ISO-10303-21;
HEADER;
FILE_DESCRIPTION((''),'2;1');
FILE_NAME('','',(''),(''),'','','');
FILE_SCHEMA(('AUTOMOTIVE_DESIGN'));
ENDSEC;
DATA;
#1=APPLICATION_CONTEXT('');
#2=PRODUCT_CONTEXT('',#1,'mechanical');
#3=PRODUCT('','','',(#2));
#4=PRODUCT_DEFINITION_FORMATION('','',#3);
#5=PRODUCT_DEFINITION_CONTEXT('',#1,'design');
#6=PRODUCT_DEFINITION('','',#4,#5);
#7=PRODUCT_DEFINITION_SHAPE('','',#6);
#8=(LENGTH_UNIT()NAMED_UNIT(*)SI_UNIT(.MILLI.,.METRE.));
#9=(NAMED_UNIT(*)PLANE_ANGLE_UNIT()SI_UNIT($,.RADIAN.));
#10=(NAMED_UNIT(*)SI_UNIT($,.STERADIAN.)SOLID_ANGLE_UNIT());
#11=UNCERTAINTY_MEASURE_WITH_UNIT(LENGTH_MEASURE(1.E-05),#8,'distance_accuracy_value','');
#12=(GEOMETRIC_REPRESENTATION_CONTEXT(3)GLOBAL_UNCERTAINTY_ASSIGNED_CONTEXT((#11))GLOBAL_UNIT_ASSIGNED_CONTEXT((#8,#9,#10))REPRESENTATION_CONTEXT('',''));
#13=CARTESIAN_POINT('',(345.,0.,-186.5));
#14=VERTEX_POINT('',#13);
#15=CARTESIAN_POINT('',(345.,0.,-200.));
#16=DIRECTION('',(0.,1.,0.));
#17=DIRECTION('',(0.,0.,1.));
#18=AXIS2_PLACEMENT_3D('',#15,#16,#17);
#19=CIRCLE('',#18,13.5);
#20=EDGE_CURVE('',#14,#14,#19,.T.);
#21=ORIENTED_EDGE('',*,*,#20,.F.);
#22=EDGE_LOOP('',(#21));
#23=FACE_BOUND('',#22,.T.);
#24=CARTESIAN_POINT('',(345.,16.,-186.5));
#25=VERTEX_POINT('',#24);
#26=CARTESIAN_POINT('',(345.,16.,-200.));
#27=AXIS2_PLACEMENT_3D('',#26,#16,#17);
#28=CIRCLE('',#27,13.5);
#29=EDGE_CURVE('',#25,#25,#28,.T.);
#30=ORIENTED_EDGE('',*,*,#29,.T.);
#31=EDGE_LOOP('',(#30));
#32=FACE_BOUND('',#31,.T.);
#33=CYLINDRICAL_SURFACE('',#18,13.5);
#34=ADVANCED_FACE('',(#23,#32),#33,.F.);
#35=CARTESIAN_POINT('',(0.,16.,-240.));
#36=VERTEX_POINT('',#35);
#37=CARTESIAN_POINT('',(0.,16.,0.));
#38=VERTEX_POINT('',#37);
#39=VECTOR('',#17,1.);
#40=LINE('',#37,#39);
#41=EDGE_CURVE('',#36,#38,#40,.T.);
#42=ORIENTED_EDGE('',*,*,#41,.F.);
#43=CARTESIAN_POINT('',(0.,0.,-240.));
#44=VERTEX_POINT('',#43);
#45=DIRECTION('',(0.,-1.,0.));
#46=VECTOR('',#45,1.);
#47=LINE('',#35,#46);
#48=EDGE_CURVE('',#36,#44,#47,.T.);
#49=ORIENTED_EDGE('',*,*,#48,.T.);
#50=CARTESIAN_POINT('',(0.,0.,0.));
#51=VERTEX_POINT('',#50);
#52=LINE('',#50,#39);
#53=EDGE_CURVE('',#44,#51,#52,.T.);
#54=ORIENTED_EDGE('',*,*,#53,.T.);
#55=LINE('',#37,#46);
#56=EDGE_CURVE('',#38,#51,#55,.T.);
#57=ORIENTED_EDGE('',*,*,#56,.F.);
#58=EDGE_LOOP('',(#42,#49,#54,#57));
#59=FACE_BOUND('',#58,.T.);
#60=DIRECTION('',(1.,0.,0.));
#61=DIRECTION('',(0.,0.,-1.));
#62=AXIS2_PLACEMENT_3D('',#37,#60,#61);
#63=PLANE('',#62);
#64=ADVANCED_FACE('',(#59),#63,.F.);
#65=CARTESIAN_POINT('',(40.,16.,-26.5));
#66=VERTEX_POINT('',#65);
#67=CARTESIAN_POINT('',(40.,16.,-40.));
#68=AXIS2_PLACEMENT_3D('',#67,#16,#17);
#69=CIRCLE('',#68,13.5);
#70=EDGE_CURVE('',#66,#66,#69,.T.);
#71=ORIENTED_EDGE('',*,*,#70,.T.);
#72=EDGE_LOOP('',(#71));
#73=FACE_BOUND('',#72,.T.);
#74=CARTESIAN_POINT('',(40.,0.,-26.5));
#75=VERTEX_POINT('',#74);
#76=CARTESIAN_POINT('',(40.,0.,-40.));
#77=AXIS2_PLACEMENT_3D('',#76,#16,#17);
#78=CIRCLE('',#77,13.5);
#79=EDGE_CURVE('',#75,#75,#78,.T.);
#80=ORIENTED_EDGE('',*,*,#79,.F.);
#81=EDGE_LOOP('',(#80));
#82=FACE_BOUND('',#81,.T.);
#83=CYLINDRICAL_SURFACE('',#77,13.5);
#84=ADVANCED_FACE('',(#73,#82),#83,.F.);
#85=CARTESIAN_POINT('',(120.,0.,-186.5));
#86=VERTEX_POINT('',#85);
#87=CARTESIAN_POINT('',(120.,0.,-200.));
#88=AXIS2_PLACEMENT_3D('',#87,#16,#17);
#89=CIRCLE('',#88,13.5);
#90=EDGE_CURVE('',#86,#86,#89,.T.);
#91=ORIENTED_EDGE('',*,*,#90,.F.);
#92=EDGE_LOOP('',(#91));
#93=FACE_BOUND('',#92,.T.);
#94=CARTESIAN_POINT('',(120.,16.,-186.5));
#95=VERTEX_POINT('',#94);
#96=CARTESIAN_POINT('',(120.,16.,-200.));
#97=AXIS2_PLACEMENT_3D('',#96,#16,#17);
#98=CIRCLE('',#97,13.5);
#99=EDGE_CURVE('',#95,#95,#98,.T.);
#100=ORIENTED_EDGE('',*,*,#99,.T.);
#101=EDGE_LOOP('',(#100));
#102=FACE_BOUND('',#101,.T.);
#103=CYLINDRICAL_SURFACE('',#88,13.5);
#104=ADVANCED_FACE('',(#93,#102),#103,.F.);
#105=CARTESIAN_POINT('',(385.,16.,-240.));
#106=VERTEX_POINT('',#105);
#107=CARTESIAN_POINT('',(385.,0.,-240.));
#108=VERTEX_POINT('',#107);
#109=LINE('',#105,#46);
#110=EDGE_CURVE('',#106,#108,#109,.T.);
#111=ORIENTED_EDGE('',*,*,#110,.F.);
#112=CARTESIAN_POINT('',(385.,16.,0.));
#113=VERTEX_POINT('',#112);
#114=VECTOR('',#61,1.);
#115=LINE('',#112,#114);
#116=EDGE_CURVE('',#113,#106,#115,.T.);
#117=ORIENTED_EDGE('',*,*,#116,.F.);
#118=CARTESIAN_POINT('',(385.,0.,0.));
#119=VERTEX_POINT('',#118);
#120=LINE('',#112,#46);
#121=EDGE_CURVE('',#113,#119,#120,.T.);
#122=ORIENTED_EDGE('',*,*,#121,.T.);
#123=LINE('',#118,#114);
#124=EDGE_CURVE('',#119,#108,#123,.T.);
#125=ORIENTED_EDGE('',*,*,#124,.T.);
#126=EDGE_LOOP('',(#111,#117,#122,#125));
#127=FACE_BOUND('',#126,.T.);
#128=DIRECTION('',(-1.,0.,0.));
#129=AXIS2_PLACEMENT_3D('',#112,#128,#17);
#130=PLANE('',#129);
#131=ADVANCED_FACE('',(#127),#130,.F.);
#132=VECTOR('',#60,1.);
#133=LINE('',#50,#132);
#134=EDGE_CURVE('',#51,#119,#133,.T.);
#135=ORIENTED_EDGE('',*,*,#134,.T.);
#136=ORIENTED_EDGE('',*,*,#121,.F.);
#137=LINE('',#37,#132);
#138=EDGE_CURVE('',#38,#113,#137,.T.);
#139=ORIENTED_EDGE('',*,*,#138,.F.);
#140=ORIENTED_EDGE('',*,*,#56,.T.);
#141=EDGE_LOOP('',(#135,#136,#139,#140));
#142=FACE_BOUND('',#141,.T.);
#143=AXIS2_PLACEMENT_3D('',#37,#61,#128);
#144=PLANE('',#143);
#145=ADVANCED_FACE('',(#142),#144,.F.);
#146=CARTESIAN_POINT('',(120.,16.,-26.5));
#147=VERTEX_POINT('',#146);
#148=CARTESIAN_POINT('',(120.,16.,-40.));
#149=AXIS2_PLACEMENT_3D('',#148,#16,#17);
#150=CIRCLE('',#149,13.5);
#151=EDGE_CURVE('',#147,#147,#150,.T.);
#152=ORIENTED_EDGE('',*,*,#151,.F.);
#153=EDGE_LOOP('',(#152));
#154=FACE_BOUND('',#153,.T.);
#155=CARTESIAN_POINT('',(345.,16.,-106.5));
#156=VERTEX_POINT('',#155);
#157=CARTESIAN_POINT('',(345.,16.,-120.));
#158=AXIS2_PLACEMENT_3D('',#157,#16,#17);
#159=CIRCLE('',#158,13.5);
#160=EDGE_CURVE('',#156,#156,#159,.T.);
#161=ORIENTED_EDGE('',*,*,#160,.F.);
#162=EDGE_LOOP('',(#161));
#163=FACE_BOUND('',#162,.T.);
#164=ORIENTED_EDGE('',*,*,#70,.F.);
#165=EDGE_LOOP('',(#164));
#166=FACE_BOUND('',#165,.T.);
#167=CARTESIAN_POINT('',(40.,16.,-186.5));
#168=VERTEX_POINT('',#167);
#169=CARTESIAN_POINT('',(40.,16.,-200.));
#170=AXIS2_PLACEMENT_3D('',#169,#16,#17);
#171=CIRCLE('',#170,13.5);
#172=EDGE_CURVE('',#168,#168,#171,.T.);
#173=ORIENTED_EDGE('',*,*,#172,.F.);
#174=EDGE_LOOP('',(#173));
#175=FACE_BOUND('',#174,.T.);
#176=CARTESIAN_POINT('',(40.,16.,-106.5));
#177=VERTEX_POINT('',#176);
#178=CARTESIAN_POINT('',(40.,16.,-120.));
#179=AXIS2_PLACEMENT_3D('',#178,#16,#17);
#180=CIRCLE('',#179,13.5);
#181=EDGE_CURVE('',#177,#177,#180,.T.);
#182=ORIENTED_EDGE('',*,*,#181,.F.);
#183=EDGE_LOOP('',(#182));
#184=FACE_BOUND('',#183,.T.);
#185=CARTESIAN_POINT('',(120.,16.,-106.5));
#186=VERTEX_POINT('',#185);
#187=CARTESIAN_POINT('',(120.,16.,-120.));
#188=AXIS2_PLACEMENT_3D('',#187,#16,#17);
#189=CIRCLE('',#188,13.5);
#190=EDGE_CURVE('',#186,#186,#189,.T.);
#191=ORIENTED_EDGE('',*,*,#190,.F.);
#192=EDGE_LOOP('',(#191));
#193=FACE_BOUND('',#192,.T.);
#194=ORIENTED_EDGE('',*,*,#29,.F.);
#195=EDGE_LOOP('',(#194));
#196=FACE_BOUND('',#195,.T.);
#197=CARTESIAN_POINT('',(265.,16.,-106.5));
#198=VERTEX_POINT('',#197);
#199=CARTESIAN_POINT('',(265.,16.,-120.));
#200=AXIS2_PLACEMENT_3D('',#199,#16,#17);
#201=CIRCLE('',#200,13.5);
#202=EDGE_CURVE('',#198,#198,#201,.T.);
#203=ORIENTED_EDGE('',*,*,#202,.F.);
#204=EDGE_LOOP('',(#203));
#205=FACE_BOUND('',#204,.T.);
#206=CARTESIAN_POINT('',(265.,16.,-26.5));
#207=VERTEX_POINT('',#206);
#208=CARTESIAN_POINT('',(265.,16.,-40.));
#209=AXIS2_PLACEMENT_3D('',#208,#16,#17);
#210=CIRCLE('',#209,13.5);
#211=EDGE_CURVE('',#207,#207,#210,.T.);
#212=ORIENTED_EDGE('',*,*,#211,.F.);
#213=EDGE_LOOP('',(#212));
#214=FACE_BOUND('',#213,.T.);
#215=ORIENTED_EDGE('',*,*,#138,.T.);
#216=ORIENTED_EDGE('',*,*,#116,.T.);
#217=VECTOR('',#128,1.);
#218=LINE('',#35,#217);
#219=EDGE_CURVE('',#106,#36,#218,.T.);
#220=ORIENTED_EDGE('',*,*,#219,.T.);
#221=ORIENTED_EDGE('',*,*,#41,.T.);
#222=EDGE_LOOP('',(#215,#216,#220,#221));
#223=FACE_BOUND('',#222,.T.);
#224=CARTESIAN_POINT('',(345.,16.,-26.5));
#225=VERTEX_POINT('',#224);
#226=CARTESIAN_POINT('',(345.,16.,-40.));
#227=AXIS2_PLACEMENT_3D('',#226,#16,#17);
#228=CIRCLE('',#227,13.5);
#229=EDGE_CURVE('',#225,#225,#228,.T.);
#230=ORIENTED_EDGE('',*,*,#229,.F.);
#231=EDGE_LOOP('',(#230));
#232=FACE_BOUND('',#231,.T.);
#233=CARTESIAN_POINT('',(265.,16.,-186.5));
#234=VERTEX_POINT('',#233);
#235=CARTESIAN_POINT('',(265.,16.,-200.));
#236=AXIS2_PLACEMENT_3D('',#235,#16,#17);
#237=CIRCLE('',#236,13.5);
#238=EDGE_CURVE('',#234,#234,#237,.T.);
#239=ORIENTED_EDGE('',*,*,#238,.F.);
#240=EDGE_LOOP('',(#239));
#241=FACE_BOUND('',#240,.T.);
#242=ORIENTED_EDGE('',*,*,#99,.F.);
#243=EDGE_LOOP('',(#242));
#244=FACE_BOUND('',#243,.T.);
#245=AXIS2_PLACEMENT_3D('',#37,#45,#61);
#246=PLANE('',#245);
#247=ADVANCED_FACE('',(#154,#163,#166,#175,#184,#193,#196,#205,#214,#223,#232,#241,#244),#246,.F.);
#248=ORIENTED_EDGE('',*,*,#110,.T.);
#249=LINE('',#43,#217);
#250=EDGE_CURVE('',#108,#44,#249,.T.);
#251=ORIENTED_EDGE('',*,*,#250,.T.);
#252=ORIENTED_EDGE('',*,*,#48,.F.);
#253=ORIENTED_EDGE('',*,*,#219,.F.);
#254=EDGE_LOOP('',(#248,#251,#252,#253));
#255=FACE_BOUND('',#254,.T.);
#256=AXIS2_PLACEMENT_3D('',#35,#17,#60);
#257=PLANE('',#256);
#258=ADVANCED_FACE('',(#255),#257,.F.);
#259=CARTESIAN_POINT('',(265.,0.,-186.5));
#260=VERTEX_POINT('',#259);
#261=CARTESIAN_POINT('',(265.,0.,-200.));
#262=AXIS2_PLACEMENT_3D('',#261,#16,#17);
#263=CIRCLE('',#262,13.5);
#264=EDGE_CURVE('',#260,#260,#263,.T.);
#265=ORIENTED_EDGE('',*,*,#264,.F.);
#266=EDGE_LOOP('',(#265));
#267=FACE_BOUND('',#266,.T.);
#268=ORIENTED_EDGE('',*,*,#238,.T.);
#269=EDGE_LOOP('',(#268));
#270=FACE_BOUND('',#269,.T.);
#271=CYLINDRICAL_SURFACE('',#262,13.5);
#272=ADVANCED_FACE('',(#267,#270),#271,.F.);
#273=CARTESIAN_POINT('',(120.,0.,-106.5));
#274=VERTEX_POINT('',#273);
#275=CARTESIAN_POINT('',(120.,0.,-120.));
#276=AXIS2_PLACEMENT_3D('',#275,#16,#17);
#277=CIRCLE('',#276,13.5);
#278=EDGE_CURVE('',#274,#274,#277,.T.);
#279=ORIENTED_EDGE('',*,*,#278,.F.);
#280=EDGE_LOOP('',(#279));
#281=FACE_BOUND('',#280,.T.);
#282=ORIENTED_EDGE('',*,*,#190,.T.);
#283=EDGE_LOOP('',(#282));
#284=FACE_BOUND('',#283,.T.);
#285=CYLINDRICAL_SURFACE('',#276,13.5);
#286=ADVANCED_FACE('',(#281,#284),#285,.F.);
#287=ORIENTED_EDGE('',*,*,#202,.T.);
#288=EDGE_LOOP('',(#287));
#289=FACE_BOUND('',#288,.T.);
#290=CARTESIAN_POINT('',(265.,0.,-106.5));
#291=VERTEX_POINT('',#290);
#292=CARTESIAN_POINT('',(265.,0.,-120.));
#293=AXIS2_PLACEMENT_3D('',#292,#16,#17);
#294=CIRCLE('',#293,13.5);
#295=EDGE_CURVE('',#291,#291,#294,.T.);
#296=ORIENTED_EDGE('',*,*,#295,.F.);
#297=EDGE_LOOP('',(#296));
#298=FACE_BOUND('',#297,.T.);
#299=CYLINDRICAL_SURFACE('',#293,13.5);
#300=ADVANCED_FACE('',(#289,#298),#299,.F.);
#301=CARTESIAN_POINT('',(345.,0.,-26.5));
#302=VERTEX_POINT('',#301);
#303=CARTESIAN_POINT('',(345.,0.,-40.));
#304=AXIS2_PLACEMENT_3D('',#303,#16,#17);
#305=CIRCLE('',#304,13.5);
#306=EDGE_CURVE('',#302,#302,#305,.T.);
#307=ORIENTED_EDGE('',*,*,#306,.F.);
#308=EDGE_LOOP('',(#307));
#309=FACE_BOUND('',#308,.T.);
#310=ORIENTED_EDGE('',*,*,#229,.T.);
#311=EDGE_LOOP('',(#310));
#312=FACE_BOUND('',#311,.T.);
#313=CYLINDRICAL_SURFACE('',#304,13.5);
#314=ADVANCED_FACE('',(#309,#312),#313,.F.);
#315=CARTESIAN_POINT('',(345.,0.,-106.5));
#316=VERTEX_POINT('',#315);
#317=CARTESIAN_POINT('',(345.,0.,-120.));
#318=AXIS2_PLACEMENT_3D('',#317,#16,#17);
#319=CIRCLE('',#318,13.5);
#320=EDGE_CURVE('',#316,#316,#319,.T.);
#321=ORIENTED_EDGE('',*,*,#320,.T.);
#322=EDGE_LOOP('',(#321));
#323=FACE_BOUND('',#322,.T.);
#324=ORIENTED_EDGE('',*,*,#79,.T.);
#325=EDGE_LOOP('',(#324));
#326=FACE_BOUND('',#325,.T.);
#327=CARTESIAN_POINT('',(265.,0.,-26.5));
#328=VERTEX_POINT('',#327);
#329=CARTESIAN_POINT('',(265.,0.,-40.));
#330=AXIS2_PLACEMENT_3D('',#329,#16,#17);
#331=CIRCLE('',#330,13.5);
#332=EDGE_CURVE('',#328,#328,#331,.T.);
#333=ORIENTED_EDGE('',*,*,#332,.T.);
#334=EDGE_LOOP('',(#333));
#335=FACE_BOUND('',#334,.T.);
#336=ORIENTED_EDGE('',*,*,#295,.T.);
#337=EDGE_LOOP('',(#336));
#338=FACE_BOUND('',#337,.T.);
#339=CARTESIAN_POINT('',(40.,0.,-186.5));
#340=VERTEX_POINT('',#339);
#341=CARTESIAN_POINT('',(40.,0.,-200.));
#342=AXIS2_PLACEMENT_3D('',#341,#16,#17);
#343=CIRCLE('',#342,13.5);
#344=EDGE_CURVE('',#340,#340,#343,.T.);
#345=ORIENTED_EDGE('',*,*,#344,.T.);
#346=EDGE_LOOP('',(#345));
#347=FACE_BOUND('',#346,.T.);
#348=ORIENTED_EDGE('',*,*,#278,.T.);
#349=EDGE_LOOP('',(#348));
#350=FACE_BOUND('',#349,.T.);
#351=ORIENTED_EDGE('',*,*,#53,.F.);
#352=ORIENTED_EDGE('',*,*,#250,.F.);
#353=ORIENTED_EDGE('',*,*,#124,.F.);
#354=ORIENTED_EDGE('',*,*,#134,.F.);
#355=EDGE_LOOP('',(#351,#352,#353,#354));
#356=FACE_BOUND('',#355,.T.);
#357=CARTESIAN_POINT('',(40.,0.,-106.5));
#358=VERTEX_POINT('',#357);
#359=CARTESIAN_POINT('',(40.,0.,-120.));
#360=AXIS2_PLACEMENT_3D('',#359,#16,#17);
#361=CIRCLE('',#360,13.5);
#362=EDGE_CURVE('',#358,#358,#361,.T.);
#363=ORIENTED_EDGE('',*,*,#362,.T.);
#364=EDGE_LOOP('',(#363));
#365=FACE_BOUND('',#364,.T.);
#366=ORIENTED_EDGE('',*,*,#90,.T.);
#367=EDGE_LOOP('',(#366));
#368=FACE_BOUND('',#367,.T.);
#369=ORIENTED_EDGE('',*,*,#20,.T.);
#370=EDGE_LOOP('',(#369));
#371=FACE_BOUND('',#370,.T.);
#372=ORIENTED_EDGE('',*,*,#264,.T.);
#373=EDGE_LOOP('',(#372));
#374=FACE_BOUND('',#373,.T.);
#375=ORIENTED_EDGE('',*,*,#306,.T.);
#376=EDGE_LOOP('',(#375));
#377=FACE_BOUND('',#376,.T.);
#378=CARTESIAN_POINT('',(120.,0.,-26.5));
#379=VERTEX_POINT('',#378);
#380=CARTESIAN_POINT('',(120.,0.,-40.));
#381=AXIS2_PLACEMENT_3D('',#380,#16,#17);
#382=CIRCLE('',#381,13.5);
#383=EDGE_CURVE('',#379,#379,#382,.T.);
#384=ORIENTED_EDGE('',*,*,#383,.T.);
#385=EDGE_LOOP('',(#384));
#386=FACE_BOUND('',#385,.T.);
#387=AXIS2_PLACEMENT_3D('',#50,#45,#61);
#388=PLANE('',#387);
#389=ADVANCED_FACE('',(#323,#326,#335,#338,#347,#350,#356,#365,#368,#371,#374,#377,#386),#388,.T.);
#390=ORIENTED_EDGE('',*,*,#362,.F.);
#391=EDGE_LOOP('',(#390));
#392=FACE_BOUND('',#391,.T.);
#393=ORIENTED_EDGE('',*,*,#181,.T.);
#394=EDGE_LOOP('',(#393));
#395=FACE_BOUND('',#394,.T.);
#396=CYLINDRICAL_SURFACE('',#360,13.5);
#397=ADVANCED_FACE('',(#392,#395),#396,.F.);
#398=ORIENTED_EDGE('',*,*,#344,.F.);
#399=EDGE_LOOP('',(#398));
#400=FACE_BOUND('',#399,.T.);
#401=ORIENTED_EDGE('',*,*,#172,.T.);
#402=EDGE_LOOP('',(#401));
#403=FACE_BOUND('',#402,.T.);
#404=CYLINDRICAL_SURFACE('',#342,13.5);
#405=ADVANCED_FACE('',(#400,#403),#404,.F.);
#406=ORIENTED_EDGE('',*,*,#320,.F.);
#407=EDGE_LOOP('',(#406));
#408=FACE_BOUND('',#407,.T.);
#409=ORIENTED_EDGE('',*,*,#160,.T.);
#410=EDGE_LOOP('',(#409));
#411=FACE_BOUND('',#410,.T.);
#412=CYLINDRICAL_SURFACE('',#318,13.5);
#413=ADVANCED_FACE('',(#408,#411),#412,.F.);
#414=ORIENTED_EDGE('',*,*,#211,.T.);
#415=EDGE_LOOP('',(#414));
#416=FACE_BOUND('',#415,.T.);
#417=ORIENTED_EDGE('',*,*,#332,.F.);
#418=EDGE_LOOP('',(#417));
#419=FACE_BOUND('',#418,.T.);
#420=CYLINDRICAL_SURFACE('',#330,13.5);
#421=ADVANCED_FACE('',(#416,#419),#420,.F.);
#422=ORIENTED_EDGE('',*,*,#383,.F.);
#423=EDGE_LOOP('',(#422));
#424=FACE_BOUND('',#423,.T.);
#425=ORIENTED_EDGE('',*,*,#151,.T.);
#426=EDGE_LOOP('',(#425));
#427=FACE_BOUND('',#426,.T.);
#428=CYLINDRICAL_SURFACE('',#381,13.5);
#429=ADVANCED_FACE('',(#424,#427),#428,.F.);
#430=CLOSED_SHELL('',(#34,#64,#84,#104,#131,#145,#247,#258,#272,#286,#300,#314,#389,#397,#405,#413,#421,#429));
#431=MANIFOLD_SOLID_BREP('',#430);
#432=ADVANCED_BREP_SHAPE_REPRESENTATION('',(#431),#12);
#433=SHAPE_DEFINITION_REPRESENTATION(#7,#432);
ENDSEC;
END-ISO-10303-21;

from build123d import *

# Parameters (mm, degrees)
SKETCH_1_W                       = 385
SKETCH_1_H                       = 240
EXTRUDE_1_DEPTH                  = 16
SKETCH_2_R                       = 13.5
CUT_EXTRUDE_1_DEPTH              = 454.961452108
PATTERN_LINEAR_1_COUNT           = 2
PATTERN_LINEAR_1_PITCH           = 80
PATTERN_LINEAR_2_COUNT           = 2
PATTERN_LINEAR_2_PITCH           = 80
PATTERN_LINEAR_3_COUNT           = 2
PATTERN_LINEAR_3_PITCH           = 80
PATTERN_LINEAR_3_COPY_1_SKETCH_R = 13.5
PATTERN_LINEAR_3_COPY_1_DEPTH    = 454.961452108
PATTERN_LINEAR_3_COPY_2_SKETCH_R = 13.5
PATTERN_LINEAR_3_COPY_2_DEPTH    = 454.961452108
PATTERN_LINEAR_4_COUNT           = 2
PATTERN_LINEAR_4_PITCH           = 225
PATTERN_LINEAR_4_COPY_1_SKETCH_R = 13.5
PATTERN_LINEAR_4_COPY_1_DEPTH    = 454.961452108
PATTERN_LINEAR_4_COPY_2_SKETCH_R = 13.5
PATTERN_LINEAR_4_COPY_2_DEPTH    = 454.961452108
PATTERN_LINEAR_4_COPY_3_SKETCH_R = 13.5
PATTERN_LINEAR_4_COPY_3_DEPTH    = 454.961452108
PATTERN_LINEAR_4_COPY_4_SKETCH_R = 13.5
PATTERN_LINEAR_4_COPY_4_DEPTH    = 454.961452108
PATTERN_LINEAR_4_COPY_5_SKETCH_R = 13.5
PATTERN_LINEAR_4_COPY_5_DEPTH    = 454.961452108


with BuildPart() as part:
    # 草图1 → 凸台-拉伸1 (new body)
    with BuildSketch(Plane(origin=(0, 0, 0), x_dir=(1, 0, 0), z_dir=(0, 1, 0))):
        with Locations((192.5, 120)):
            Rectangle(SKETCH_1_W, SKETCH_1_H)
    extrude(amount=EXTRUDE_1_DEPTH)

    # 草图2 → 切除-拉伸1 (cut, through all)
    with BuildSketch(Plane(origin=(0, 16, 0), x_dir=(1, 0, 0), z_dir=(0, 1, 0))):
        with Locations(Location((120, 120, 0), (0, 0, 270))):
            Circle(SKETCH_2_R)
    cut_extrude_1 = extrude(amount=-CUT_EXTRUDE_1_DEPTH, mode=Mode.SUBTRACT)

    # 阵列(线性)1: 切除-拉伸1 ×2
    with Locations(*[(0, 0, -i * PATTERN_LINEAR_1_PITCH) for i in range(1, PATTERN_LINEAR_1_COUNT)]):
        add(cut_extrude_1, mode=Mode.SUBTRACT)

    # 阵列(线性)2: 切除-拉伸1 ×2
    with Locations(*[(0, 0, i * PATTERN_LINEAR_2_PITCH) for i in range(1, PATTERN_LINEAR_2_COUNT)]):
        add(cut_extrude_1, mode=Mode.SUBTRACT)

    # 阵列(线性)3: 切除-拉伸1 ×2
    with Locations(*[(-i * PATTERN_LINEAR_3_PITCH, 0, 0) for i in range(1, PATTERN_LINEAR_3_COUNT)]):
        add(cut_extrude_1, mode=Mode.SUBTRACT)

    # 阵列(线性)3 copy 1 sketch → 阵列(线性)3 copy 1 (cut, through all)
    with BuildSketch(Plane(origin=(-80, 16, -80), x_dir=(1, 0, 0), z_dir=(0, 1, 0))):
        with Locations(Location((120, 120, 0), (0, 0, 270))):
            Circle(PATTERN_LINEAR_3_COPY_1_SKETCH_R)
    extrude(amount=-PATTERN_LINEAR_3_COPY_1_DEPTH, mode=Mode.SUBTRACT)

    # 阵列(线性)3 copy 2 sketch → 阵列(线性)3 copy 2 (cut, through all)
    with BuildSketch(Plane(origin=(-80, 16, 80), x_dir=(1, 0, 0), z_dir=(0, 1, 0))):
        with Locations(Location((120, 120, 0), (0, 0, 270))):
            Circle(PATTERN_LINEAR_3_COPY_2_SKETCH_R)
    extrude(amount=-PATTERN_LINEAR_3_COPY_2_DEPTH, mode=Mode.SUBTRACT)

    # 阵列(线性)4: 切除-拉伸1 ×2
    with Locations(*[(i * PATTERN_LINEAR_4_PITCH, 0, 0) for i in range(1, PATTERN_LINEAR_4_COUNT)]):
        add(cut_extrude_1, mode=Mode.SUBTRACT)

    # 阵列(线性)4 copy 1 sketch → 阵列(线性)4 copy 1 (cut, through all)
    with BuildSketch(Plane(origin=(225, 16, -80), x_dir=(1, 0, 0), z_dir=(0, 1, 0))):
        with Locations(Location((120, 120, 0), (0, 0, 270))):
            Circle(PATTERN_LINEAR_4_COPY_1_SKETCH_R)
    extrude(amount=-PATTERN_LINEAR_4_COPY_1_DEPTH, mode=Mode.SUBTRACT)

    # 阵列(线性)4 copy 2 sketch → 阵列(线性)4 copy 2 (cut, through all)
    with BuildSketch(Plane(origin=(225, 16, 80), x_dir=(1, 0, 0), z_dir=(0, 1, 0))):
        with Locations(Location((120, 120, 0), (0, 0, 270))):
            Circle(PATTERN_LINEAR_4_COPY_2_SKETCH_R)
    extrude(amount=-PATTERN_LINEAR_4_COPY_2_DEPTH, mode=Mode.SUBTRACT)

    # 阵列(线性)4 copy 3 sketch → 阵列(线性)4 copy 3 (cut, through all)
    with BuildSketch(Plane(origin=(145, 16, 0), x_dir=(1, 0, 0), z_dir=(0, 1, 0))):
        with Locations(Location((120, 120, 0), (0, 0, 270))):
            Circle(PATTERN_LINEAR_4_COPY_3_SKETCH_R)
    extrude(amount=-PATTERN_LINEAR_4_COPY_3_DEPTH, mode=Mode.SUBTRACT)

    # 阵列(线性)4 copy 4 sketch → 阵列(线性)4 copy 4 (cut, through all)
    with BuildSketch(Plane(origin=(145, 16, -80), x_dir=(1, 0, 0), z_dir=(0, 1, 0))):
        with Locations(Location((120, 120, 0), (0, 0, 270))):
            Circle(PATTERN_LINEAR_4_COPY_4_SKETCH_R)
    extrude(amount=-PATTERN_LINEAR_4_COPY_4_DEPTH, mode=Mode.SUBTRACT)

    # 阵列(线性)4 copy 5 sketch → 阵列(线性)4 copy 5 (cut, through all)
    with BuildSketch(Plane(origin=(145, 16, 80), x_dir=(1, 0, 0), z_dir=(0, 1, 0))):
        with Locations(Location((120, 120, 0), (0, 0, 270))):
            Circle(PATTERN_LINEAR_4_COPY_5_SKETCH_R)
    extrude(amount=-PATTERN_LINEAR_4_COPY_5_DEPTH, mode=Mode.SUBTRACT)


solid = part.part
